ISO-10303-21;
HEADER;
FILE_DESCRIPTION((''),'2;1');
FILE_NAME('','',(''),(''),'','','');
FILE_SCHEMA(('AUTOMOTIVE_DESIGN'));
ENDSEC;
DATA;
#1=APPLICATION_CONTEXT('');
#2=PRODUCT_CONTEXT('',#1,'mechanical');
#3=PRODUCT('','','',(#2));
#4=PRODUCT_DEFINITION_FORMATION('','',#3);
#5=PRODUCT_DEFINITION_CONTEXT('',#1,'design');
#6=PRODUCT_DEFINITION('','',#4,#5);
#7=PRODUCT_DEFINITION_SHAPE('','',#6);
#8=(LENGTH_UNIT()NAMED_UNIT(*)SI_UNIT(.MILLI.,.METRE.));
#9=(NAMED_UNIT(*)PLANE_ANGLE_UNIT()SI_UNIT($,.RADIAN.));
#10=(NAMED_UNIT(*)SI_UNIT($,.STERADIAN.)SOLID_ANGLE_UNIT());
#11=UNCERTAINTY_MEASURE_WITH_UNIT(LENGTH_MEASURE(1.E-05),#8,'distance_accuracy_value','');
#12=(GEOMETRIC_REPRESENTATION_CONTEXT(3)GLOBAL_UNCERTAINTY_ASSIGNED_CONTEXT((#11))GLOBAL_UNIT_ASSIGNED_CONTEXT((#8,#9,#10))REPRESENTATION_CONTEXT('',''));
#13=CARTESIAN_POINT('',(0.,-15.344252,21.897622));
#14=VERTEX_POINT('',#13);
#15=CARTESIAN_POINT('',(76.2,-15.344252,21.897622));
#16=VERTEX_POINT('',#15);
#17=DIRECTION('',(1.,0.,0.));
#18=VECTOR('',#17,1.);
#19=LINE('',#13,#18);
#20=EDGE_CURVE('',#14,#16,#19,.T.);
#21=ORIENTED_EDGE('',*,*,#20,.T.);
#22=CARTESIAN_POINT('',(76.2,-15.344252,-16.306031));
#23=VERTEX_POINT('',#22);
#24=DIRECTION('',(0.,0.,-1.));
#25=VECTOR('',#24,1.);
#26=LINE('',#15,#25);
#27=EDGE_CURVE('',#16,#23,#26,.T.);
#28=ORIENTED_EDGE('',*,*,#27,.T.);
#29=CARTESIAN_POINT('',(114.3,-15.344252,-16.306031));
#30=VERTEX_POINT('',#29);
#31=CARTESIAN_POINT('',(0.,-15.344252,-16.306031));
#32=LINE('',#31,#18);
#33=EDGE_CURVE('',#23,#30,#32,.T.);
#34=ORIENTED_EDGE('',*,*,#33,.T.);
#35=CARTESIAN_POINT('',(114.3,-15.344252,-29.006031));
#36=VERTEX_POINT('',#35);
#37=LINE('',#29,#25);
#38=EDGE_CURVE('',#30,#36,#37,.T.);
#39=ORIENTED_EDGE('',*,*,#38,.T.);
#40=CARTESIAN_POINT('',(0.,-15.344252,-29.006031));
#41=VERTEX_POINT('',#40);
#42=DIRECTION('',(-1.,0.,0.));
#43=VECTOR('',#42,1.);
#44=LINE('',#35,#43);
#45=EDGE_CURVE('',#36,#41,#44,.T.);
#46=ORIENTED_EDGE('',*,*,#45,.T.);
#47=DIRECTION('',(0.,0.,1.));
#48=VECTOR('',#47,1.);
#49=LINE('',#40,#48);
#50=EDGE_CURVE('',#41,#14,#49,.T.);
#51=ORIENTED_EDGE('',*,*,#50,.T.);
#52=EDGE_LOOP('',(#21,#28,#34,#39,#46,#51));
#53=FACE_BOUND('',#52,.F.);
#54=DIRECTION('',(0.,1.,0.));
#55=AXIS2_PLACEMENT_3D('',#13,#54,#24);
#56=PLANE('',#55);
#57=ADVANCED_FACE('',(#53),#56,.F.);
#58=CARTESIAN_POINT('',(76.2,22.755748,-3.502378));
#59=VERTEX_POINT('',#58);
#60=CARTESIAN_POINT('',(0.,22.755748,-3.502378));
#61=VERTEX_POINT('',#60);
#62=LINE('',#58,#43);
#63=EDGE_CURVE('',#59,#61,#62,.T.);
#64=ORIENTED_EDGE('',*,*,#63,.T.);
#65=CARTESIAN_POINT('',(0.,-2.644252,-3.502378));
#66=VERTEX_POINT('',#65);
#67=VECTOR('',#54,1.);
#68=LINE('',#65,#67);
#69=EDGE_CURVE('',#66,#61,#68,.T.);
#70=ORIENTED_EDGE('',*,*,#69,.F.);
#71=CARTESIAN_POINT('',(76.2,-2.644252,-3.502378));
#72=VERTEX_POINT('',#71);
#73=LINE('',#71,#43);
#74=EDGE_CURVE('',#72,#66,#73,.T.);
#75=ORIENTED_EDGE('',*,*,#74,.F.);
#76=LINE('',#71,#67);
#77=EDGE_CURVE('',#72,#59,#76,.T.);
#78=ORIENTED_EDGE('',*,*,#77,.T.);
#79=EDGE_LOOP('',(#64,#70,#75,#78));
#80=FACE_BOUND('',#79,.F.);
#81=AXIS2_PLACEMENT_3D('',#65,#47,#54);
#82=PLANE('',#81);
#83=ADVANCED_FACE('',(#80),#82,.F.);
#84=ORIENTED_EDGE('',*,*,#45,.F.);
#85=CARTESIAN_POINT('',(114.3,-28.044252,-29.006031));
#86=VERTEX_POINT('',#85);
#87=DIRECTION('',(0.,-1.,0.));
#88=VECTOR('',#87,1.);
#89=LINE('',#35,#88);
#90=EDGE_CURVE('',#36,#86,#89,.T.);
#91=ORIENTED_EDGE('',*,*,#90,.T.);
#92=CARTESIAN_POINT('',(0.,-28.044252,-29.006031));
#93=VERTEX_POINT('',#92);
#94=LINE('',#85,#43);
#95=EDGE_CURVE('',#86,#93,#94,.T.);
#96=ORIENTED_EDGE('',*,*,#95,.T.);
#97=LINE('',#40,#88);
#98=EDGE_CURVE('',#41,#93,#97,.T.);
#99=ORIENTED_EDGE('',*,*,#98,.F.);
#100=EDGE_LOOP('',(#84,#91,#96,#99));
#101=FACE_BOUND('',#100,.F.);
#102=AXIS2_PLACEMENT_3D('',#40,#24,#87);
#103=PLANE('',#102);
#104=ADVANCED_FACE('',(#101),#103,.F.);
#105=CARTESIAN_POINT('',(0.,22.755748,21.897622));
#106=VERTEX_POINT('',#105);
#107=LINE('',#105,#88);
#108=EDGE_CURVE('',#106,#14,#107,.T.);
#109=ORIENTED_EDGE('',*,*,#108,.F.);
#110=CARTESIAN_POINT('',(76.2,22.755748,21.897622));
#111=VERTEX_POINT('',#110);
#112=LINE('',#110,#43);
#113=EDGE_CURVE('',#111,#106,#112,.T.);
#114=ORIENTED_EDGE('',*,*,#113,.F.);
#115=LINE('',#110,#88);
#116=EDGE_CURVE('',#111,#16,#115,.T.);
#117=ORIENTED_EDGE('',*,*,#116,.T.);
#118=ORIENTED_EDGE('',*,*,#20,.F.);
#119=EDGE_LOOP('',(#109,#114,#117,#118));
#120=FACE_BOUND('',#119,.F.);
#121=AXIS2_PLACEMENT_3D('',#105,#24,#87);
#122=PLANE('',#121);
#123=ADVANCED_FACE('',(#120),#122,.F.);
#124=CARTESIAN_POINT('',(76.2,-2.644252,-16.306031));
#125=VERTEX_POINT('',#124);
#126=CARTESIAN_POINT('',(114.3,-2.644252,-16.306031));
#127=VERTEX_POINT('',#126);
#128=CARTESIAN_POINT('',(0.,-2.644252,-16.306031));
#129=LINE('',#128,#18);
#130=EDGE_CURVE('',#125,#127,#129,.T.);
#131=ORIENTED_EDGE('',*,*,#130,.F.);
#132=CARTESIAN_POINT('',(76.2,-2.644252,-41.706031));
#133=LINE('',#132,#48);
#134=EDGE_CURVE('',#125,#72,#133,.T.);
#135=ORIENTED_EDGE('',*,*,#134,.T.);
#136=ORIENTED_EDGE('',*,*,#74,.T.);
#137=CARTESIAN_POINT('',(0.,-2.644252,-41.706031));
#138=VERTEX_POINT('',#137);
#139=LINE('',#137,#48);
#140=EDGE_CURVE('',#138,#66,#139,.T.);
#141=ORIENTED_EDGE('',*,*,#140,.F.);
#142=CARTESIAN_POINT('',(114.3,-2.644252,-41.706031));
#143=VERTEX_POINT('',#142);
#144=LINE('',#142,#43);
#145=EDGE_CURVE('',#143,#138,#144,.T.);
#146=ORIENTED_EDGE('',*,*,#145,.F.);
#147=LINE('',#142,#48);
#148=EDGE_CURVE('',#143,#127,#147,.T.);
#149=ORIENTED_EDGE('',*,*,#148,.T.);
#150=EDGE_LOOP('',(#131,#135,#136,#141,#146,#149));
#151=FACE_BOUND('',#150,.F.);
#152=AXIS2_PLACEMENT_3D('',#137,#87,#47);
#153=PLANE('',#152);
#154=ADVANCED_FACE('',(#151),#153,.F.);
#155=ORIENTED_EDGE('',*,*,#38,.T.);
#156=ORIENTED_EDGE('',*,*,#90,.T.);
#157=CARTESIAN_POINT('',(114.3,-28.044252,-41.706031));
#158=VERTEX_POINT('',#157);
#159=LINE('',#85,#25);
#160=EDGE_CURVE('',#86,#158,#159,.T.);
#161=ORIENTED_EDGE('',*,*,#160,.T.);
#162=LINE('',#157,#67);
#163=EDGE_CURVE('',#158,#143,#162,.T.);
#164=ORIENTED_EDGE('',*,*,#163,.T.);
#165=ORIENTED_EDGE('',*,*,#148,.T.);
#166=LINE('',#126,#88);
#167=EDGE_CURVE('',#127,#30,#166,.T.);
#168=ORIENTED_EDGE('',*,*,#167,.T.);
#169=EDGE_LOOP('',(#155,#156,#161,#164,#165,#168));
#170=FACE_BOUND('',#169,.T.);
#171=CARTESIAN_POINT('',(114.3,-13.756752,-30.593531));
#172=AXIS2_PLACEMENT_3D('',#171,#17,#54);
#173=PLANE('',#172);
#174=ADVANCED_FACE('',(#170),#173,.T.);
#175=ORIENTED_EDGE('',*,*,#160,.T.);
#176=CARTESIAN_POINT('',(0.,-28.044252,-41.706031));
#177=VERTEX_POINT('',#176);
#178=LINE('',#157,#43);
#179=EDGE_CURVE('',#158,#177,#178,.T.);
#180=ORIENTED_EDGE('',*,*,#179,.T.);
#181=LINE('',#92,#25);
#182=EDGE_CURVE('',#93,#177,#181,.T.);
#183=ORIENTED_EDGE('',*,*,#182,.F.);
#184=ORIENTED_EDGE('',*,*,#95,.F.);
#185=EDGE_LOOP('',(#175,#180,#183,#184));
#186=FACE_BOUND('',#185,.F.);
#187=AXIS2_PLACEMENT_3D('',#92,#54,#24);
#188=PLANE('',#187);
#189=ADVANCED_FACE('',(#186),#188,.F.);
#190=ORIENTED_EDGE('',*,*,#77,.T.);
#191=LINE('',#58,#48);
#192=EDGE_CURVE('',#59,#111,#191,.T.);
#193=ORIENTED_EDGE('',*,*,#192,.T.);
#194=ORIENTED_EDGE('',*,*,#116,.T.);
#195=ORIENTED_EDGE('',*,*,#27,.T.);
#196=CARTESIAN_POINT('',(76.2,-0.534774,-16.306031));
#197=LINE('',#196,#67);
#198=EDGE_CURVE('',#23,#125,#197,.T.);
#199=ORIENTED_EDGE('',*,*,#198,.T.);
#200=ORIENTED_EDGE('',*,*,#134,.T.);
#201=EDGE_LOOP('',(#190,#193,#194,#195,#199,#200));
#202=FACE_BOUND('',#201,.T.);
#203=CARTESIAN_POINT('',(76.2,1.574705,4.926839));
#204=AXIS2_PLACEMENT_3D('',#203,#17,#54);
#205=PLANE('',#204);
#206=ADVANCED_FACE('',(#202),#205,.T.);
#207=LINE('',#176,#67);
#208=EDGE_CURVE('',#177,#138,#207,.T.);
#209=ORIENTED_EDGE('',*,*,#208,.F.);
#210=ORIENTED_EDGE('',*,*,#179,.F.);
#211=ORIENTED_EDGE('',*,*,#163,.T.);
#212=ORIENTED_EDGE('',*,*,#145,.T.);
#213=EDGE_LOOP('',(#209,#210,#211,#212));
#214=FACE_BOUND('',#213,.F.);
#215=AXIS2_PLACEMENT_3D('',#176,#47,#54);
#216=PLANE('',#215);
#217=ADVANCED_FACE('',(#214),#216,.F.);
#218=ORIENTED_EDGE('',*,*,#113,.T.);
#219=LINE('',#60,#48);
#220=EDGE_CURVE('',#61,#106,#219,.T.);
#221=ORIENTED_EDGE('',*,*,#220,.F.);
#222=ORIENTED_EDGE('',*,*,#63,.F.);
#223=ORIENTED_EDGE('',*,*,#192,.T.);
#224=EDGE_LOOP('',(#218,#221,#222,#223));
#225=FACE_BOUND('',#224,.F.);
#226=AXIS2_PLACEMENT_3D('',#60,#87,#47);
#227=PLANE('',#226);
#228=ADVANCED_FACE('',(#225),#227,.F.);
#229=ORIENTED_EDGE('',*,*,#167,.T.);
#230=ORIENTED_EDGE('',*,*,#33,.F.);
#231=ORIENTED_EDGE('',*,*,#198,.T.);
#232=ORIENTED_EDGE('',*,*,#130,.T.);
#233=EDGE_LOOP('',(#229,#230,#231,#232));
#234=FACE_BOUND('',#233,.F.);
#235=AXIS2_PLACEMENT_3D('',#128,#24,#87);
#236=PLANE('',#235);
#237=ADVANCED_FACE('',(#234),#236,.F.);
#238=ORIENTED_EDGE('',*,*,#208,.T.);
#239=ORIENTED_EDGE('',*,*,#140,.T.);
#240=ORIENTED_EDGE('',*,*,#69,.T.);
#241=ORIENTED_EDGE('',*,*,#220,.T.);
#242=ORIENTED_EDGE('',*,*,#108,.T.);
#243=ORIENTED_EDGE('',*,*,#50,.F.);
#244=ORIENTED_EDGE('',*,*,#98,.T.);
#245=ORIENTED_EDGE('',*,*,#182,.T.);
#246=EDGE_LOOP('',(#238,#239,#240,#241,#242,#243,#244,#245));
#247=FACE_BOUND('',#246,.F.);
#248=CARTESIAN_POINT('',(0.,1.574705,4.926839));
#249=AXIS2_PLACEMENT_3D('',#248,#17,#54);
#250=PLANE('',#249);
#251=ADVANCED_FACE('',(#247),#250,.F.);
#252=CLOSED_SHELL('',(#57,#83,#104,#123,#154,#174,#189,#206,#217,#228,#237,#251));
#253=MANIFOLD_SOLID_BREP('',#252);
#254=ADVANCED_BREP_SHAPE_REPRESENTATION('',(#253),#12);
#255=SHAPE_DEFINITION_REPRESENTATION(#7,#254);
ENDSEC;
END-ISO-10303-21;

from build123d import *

# Parameters (mm, degrees)
F1_DEPTH = 76.2
F2_DEPTH = 46.736
F3_DEPTH = 114.3


with BuildPart() as f1:
    # F0 (on Right) → F1 (new body)
    with BuildSketch(Plane.YZ):
        Polygon((22.755747968, 21.8976219215), (-15.344252032, 21.8976219215), (-15.344252032, -16.3060310256), (-2.644252032, -16.3060310256), (-2.644252032, -3.5023780785), (22.755747968, -3.5023780785), align=None)
        Polygon((-15.344252032, -29.0060310256), (-28.044252032, -29.0060310256), (-28.044252032, -41.7060310256), (-2.644252032, -41.7060310256), (-2.644252032, -16.3060310256), (-15.344252032, -16.3060310256), align=None)
    extrude(amount=F1_DEPTH)

    # F2 (add): a face of the model
    f2_faces = [f1.faces().sort_by_distance(p)[0] for p in [
        (0, -2.6494304529, -4.812812026),
    ]]
    extrude(f2_faces, amount=-F2_DEPTH)

    # F0 (on Right) → F3 (join)
    with BuildSketch(Plane.YZ):
        Polygon((-15.344252032, -29.0060310256), (-28.044252032, -29.0060310256), (-28.044252032, -41.7060310256), (-2.644252032, -41.7060310256), (-2.644252032, -16.3060310256), (-15.344252032, -16.3060310256), align=None)
    extrude(amount=F3_DEPTH)


solid = f1.part
